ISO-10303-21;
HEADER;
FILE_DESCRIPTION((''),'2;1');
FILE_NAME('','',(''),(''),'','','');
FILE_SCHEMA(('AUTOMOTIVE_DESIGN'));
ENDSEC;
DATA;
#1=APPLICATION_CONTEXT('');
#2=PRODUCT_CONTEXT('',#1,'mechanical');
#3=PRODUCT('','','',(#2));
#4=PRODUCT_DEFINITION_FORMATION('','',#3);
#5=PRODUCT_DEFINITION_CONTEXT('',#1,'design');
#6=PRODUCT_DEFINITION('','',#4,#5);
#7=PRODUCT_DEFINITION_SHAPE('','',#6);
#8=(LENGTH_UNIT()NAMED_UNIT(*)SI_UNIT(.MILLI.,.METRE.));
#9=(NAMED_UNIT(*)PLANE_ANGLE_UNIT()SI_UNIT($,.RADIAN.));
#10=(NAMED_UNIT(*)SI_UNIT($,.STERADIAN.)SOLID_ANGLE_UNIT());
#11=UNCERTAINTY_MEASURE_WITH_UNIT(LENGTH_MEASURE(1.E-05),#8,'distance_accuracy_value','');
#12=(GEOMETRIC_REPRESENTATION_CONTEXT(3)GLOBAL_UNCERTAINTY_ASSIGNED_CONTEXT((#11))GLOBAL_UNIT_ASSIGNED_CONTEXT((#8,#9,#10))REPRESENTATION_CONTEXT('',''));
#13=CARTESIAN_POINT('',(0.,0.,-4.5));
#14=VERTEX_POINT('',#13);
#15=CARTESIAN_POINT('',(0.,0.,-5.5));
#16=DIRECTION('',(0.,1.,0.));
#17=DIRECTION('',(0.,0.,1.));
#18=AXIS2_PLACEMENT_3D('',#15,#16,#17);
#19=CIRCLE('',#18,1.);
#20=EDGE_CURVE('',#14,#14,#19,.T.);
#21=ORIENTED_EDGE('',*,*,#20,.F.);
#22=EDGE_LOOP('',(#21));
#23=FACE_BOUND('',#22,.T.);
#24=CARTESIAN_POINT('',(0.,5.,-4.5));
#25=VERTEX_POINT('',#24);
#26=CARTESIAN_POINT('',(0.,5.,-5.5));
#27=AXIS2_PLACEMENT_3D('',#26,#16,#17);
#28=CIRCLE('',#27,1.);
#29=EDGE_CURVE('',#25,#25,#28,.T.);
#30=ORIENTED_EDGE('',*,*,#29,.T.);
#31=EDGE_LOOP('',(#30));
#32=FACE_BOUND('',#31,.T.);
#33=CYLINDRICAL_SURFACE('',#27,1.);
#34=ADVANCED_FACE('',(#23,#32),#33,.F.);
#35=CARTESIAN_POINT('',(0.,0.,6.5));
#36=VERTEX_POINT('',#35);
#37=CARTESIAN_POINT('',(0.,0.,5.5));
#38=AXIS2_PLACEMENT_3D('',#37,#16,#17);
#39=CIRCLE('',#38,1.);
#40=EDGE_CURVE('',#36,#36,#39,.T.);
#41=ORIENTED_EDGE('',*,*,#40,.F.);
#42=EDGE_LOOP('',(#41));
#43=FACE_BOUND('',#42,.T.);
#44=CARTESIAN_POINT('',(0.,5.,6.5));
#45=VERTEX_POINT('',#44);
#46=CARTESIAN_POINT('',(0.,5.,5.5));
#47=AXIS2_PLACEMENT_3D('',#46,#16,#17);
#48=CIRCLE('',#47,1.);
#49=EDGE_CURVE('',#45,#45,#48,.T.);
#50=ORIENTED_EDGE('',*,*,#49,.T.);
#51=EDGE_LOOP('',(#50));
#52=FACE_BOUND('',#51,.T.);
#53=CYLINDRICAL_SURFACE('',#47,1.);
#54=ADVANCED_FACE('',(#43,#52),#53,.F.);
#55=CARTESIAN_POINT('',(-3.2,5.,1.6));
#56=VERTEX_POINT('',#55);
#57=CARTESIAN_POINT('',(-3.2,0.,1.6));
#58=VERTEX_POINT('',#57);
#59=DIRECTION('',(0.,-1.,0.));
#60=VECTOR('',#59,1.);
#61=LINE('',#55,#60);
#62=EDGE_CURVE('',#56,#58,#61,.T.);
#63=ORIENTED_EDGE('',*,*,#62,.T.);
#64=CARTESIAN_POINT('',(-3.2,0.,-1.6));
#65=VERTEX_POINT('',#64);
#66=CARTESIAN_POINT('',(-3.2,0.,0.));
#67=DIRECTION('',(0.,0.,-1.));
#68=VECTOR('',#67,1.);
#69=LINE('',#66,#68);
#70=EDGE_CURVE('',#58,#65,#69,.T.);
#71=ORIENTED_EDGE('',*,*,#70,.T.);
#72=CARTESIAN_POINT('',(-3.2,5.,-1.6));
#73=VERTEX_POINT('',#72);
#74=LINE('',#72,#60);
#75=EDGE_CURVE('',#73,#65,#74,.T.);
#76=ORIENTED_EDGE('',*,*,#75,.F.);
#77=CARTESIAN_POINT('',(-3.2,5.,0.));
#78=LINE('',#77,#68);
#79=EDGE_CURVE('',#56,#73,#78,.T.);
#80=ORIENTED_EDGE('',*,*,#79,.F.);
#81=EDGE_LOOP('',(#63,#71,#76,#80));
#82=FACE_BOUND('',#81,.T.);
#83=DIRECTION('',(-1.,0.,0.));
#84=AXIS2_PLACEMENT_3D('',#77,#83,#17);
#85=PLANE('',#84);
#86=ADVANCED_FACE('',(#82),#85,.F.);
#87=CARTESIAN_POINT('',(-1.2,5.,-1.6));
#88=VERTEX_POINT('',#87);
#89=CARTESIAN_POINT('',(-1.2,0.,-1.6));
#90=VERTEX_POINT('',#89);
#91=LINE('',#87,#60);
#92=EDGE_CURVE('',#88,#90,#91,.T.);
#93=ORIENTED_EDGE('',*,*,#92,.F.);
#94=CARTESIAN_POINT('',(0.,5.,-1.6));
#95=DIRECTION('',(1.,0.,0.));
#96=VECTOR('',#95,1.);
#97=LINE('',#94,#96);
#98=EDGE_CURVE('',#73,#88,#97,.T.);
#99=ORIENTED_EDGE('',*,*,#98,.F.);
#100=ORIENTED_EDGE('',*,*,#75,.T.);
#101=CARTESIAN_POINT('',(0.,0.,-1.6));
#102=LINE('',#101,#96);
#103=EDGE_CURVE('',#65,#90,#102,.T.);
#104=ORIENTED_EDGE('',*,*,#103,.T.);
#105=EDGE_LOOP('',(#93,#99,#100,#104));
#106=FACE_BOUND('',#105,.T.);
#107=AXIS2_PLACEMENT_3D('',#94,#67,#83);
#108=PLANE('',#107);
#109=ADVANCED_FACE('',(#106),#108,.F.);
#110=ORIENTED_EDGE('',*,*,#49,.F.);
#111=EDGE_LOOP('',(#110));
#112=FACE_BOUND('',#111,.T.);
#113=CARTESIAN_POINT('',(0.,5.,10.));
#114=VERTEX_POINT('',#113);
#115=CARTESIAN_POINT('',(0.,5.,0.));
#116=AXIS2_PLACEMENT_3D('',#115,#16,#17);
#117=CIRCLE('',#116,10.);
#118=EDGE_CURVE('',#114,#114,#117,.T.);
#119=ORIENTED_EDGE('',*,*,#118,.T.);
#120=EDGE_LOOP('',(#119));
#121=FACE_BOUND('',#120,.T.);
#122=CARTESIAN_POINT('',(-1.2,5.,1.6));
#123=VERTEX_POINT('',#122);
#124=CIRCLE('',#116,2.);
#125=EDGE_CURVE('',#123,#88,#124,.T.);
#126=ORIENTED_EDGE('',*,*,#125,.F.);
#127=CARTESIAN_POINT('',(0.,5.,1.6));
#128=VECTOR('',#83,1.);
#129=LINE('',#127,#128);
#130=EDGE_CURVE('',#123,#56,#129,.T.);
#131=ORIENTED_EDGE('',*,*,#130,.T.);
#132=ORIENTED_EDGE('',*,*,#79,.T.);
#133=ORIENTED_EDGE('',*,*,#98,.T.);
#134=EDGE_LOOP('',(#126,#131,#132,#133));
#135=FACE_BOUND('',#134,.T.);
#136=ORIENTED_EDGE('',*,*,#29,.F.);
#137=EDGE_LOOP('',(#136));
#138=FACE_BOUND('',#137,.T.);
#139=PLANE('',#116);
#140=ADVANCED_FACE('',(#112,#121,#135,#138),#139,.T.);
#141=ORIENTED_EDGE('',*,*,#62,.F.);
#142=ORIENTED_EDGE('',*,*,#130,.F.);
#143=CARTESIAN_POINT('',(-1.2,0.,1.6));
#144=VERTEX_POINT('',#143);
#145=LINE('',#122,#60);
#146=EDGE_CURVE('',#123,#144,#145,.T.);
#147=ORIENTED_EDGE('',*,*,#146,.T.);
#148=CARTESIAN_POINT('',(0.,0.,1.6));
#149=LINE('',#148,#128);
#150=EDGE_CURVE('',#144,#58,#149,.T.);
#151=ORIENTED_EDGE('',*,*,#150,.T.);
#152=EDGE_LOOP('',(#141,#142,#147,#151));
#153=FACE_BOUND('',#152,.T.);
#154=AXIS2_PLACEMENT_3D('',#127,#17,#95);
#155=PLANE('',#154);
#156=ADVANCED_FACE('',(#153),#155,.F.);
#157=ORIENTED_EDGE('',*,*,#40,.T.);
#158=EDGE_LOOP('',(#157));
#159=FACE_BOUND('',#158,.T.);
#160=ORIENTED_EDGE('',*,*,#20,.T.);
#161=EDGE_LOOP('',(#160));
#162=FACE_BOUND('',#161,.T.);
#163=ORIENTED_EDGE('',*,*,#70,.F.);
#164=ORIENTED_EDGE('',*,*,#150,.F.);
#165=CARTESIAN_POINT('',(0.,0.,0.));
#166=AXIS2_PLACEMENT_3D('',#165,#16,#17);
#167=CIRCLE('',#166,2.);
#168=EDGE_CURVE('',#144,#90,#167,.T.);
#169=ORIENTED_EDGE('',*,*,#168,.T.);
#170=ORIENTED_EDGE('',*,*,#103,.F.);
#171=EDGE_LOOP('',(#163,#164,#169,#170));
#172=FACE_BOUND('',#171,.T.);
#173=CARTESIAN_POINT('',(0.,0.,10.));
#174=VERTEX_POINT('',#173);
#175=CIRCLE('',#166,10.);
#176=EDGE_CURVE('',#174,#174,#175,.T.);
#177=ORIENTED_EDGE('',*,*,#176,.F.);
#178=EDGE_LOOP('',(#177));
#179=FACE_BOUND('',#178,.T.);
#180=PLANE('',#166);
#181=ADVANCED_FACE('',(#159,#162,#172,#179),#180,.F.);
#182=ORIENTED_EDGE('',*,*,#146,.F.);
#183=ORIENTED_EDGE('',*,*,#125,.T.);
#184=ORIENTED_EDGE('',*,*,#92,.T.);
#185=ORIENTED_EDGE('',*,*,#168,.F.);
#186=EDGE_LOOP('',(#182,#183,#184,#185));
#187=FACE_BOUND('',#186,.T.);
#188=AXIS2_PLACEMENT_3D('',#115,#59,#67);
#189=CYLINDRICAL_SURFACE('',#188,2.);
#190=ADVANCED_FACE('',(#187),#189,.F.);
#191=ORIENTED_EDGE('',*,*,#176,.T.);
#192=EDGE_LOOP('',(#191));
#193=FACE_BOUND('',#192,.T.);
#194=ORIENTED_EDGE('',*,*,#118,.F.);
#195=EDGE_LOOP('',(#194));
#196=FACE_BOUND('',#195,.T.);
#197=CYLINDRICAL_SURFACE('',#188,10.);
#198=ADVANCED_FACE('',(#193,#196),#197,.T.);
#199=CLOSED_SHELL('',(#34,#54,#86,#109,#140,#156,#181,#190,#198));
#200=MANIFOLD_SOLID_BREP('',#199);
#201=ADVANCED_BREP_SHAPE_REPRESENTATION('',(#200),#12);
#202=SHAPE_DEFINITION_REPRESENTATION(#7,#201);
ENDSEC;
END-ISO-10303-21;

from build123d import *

# Parameters (mm, degrees)
SKETCH1_R        = 10
EXTRUSION1_DEPTH = 5
HOLE1_D          = 2


with BuildPart() as part:
    # Sketch1 → Extrusion1 (new body)
    with BuildSketch(Plane(origin=(0, 0, 0), x_dir=(-1, 0, 0), z_dir=(0, 1, 0))):
        with Locations(Location((0, 0, 0), (0, 0, 90))):
            Circle(SKETCH1_R)
        with BuildLine():
            ThreePointArc((1.2, 1.6), (-2, 0), (1.2, -1.6))
            Line((1.2, -1.6), (3.2, -1.6))
            Line((3.2, -1.6), (3.2, 1.6))
            Line((3.2, 1.6), (1.2, 1.6))
        make_face(mode=Mode.SUBTRACT)
    extrude(amount=EXTRUSION1_DEPTH)

    # Hole1 (through all)
    with Locations(Plane(origin=(0, 5, 0), x_dir=(1, 0, 0), z_dir=(0, 1, 0))):
        with Locations((0, -5.5), (0, 5.5)):
            Hole(HOLE1_D / 2)


solid = part.part
